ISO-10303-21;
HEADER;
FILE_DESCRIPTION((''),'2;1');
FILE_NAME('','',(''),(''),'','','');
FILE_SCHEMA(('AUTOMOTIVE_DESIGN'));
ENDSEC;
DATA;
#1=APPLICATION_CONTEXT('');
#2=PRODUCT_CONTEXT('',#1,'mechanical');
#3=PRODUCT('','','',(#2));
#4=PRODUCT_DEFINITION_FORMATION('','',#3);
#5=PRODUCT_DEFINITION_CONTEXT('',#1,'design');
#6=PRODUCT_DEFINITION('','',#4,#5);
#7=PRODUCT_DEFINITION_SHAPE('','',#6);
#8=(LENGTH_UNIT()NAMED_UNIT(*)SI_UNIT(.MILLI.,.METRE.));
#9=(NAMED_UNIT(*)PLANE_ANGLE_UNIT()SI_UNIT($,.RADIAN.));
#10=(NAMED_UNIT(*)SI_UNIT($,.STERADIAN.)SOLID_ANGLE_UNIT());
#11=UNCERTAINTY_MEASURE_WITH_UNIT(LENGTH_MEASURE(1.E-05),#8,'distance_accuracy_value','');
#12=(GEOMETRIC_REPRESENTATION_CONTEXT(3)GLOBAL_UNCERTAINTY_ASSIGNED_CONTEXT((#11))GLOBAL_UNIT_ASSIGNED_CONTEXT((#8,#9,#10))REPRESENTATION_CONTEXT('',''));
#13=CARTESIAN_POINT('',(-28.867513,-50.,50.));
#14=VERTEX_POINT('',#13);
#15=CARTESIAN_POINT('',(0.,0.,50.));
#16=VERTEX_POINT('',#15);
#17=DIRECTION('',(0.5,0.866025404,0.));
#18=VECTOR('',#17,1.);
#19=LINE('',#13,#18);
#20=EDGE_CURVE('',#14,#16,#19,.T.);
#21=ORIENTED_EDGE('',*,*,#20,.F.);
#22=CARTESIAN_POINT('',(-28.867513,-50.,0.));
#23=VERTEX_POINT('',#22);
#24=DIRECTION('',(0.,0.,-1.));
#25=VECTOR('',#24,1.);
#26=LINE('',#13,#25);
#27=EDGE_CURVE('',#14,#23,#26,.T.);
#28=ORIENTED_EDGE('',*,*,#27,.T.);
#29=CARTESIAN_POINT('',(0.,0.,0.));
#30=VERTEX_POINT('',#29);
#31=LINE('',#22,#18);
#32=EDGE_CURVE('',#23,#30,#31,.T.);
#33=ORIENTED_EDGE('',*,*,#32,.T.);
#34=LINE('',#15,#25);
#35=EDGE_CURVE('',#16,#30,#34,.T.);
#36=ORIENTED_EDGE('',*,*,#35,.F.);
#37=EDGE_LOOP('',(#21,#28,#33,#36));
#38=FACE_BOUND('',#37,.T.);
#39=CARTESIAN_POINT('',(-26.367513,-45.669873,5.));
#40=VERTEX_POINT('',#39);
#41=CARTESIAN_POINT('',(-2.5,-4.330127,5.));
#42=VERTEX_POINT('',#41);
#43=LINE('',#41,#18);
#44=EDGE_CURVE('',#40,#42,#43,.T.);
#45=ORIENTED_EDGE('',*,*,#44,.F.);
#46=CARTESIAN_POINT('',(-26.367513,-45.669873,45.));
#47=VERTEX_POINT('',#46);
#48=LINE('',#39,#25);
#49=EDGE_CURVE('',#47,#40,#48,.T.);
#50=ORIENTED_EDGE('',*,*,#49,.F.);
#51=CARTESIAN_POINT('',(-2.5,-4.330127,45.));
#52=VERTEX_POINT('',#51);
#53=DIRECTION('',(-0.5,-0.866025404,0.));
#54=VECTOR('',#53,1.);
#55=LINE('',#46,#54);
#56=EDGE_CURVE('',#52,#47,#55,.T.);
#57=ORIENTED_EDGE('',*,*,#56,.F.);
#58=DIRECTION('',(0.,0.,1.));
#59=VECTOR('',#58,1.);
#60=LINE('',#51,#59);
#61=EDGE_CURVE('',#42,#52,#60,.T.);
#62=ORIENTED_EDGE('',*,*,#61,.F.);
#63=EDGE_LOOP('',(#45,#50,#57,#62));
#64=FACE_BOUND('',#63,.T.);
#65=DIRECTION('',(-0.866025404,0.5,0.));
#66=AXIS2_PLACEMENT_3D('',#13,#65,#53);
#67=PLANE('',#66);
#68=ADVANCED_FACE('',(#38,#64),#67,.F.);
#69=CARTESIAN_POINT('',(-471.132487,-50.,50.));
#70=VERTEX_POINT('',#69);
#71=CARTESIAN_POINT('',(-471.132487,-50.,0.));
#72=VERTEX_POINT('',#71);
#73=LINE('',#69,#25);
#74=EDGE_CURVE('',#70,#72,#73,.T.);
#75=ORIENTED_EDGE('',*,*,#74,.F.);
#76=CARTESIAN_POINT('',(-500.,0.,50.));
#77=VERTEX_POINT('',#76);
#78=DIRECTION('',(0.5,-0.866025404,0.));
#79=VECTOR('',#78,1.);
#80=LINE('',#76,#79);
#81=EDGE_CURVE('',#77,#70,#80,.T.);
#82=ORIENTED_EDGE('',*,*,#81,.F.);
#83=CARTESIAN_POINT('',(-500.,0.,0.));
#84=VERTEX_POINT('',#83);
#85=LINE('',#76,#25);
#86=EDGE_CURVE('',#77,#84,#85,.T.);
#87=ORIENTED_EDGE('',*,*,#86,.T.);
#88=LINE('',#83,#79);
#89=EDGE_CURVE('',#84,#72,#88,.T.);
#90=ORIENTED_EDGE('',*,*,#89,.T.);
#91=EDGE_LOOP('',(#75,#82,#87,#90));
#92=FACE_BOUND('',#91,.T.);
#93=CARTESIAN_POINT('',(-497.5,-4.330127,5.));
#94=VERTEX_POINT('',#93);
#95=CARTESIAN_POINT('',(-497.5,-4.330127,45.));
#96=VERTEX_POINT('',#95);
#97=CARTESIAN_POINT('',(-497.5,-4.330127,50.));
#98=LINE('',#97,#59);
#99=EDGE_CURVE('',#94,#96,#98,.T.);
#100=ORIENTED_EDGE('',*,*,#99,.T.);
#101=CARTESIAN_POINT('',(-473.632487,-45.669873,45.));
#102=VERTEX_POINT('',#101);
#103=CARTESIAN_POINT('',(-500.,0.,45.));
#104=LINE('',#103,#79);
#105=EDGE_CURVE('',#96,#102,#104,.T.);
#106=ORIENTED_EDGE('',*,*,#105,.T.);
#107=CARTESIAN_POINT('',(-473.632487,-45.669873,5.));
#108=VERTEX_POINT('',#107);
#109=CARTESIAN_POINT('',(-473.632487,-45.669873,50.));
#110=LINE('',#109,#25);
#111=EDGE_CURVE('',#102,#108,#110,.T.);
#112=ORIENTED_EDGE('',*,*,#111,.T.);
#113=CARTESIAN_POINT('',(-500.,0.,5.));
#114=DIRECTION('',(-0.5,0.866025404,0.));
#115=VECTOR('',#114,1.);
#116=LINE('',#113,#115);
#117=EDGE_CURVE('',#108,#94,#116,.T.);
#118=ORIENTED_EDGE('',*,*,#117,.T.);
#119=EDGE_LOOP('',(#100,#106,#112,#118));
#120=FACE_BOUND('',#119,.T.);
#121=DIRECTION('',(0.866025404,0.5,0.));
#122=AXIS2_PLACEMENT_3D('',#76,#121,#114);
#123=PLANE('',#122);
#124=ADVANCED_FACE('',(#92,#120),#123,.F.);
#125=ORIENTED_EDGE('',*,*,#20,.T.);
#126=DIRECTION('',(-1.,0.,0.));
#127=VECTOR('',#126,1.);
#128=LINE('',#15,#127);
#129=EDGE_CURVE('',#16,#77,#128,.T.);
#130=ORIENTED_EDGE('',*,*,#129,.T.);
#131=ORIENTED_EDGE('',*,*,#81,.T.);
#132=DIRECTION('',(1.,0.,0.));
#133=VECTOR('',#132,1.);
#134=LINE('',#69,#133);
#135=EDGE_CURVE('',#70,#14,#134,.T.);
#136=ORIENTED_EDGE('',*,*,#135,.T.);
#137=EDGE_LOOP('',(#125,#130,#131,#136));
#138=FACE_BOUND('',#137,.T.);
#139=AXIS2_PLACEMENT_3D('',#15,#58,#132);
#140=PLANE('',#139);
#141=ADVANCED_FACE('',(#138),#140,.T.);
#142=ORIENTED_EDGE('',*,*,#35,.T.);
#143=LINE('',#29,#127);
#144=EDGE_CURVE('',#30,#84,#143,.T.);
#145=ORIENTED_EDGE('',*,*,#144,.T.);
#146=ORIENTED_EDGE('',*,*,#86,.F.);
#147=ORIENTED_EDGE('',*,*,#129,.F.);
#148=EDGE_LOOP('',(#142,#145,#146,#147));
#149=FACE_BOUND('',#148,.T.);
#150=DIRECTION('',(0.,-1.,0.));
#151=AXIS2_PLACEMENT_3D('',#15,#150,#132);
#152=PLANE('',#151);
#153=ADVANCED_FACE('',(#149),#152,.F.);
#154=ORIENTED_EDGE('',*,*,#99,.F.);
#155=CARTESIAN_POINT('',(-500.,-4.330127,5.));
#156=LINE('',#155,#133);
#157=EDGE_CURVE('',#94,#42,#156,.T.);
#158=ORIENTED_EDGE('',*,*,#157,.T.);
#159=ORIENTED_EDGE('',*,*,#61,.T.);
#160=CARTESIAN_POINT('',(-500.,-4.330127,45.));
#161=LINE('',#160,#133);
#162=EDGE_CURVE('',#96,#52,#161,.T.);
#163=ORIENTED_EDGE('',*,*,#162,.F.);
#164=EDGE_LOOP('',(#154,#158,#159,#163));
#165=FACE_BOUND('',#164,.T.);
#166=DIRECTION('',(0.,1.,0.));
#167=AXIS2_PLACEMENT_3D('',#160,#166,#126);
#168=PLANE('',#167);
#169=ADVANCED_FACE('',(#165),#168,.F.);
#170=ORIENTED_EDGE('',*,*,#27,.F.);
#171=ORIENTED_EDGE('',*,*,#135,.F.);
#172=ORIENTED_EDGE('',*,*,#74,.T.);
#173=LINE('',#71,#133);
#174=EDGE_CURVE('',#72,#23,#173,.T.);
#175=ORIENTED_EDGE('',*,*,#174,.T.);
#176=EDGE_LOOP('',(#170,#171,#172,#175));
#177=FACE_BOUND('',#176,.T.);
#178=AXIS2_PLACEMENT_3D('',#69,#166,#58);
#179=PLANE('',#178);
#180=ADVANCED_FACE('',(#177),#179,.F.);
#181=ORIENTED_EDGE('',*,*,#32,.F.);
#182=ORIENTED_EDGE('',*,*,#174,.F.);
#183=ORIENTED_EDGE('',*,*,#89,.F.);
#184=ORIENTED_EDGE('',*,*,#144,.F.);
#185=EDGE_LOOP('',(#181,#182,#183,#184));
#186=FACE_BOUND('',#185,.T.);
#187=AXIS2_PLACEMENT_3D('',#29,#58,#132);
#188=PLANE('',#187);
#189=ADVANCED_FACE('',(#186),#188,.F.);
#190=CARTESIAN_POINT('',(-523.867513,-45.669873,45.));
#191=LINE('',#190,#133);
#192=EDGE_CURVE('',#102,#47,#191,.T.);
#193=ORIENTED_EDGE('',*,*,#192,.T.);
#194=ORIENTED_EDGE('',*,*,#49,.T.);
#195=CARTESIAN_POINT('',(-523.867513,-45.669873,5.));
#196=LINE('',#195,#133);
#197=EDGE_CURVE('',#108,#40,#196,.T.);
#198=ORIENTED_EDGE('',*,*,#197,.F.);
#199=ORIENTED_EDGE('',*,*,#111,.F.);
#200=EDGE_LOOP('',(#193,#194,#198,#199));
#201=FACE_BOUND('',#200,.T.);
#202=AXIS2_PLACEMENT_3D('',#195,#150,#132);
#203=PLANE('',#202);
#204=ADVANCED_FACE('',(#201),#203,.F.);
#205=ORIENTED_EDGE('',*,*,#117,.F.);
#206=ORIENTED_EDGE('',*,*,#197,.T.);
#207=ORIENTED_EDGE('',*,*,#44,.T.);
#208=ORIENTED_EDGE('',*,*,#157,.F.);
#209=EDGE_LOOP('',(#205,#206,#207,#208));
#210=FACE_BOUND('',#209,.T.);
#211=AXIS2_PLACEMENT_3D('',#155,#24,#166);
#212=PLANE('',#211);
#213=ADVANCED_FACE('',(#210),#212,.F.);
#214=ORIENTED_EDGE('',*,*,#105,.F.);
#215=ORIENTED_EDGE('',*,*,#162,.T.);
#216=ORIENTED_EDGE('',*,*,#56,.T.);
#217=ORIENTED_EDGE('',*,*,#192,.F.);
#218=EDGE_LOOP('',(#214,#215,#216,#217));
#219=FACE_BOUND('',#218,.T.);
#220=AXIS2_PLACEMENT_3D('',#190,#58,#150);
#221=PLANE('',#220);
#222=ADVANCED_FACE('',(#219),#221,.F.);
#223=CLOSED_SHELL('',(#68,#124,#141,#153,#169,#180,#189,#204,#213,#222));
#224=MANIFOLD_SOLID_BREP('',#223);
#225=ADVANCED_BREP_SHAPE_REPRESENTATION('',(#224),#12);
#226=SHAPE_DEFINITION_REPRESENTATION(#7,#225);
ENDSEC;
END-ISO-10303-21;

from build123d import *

# Parameters (mm, degrees)
BOSS_EXTRUDE1_DEPTH = 50
SKETCH4_W           = 40
SKETCH4_H           = 47.735026919
CUT_EXTRUDE1_DEPTH  = 584.249890023


with BuildPart() as part:
    # Sketch3 → Boss-Extrude1 (new body)
    with BuildSketch(Plane.XY):
        Polygon((0, 0), (-500, 0), (-471.132486541, -50), (-28.867513459, -50), align=None)
    extrude(amount=BOSS_EXTRUDE1_DEPTH)

    # Sketch4 → Cut-Extrude1 (cut, through all, along a direction that is not the sketch's normal)
    with BuildSketch(Plane(origin=(0, 0, 0), x_dir=(0, 0, -1), z_dir=(0.8660254037844366, -0.5000000000000037, 0))):
        with Locations((-25, -28.86751346)):
            Rectangle(SKETCH4_W, SKETCH4_H)
    extrude(amount=-CUT_EXTRUDE1_DEPTH, dir=(1, 0, 0), mode=Mode.SUBTRACT)


solid = part.part
